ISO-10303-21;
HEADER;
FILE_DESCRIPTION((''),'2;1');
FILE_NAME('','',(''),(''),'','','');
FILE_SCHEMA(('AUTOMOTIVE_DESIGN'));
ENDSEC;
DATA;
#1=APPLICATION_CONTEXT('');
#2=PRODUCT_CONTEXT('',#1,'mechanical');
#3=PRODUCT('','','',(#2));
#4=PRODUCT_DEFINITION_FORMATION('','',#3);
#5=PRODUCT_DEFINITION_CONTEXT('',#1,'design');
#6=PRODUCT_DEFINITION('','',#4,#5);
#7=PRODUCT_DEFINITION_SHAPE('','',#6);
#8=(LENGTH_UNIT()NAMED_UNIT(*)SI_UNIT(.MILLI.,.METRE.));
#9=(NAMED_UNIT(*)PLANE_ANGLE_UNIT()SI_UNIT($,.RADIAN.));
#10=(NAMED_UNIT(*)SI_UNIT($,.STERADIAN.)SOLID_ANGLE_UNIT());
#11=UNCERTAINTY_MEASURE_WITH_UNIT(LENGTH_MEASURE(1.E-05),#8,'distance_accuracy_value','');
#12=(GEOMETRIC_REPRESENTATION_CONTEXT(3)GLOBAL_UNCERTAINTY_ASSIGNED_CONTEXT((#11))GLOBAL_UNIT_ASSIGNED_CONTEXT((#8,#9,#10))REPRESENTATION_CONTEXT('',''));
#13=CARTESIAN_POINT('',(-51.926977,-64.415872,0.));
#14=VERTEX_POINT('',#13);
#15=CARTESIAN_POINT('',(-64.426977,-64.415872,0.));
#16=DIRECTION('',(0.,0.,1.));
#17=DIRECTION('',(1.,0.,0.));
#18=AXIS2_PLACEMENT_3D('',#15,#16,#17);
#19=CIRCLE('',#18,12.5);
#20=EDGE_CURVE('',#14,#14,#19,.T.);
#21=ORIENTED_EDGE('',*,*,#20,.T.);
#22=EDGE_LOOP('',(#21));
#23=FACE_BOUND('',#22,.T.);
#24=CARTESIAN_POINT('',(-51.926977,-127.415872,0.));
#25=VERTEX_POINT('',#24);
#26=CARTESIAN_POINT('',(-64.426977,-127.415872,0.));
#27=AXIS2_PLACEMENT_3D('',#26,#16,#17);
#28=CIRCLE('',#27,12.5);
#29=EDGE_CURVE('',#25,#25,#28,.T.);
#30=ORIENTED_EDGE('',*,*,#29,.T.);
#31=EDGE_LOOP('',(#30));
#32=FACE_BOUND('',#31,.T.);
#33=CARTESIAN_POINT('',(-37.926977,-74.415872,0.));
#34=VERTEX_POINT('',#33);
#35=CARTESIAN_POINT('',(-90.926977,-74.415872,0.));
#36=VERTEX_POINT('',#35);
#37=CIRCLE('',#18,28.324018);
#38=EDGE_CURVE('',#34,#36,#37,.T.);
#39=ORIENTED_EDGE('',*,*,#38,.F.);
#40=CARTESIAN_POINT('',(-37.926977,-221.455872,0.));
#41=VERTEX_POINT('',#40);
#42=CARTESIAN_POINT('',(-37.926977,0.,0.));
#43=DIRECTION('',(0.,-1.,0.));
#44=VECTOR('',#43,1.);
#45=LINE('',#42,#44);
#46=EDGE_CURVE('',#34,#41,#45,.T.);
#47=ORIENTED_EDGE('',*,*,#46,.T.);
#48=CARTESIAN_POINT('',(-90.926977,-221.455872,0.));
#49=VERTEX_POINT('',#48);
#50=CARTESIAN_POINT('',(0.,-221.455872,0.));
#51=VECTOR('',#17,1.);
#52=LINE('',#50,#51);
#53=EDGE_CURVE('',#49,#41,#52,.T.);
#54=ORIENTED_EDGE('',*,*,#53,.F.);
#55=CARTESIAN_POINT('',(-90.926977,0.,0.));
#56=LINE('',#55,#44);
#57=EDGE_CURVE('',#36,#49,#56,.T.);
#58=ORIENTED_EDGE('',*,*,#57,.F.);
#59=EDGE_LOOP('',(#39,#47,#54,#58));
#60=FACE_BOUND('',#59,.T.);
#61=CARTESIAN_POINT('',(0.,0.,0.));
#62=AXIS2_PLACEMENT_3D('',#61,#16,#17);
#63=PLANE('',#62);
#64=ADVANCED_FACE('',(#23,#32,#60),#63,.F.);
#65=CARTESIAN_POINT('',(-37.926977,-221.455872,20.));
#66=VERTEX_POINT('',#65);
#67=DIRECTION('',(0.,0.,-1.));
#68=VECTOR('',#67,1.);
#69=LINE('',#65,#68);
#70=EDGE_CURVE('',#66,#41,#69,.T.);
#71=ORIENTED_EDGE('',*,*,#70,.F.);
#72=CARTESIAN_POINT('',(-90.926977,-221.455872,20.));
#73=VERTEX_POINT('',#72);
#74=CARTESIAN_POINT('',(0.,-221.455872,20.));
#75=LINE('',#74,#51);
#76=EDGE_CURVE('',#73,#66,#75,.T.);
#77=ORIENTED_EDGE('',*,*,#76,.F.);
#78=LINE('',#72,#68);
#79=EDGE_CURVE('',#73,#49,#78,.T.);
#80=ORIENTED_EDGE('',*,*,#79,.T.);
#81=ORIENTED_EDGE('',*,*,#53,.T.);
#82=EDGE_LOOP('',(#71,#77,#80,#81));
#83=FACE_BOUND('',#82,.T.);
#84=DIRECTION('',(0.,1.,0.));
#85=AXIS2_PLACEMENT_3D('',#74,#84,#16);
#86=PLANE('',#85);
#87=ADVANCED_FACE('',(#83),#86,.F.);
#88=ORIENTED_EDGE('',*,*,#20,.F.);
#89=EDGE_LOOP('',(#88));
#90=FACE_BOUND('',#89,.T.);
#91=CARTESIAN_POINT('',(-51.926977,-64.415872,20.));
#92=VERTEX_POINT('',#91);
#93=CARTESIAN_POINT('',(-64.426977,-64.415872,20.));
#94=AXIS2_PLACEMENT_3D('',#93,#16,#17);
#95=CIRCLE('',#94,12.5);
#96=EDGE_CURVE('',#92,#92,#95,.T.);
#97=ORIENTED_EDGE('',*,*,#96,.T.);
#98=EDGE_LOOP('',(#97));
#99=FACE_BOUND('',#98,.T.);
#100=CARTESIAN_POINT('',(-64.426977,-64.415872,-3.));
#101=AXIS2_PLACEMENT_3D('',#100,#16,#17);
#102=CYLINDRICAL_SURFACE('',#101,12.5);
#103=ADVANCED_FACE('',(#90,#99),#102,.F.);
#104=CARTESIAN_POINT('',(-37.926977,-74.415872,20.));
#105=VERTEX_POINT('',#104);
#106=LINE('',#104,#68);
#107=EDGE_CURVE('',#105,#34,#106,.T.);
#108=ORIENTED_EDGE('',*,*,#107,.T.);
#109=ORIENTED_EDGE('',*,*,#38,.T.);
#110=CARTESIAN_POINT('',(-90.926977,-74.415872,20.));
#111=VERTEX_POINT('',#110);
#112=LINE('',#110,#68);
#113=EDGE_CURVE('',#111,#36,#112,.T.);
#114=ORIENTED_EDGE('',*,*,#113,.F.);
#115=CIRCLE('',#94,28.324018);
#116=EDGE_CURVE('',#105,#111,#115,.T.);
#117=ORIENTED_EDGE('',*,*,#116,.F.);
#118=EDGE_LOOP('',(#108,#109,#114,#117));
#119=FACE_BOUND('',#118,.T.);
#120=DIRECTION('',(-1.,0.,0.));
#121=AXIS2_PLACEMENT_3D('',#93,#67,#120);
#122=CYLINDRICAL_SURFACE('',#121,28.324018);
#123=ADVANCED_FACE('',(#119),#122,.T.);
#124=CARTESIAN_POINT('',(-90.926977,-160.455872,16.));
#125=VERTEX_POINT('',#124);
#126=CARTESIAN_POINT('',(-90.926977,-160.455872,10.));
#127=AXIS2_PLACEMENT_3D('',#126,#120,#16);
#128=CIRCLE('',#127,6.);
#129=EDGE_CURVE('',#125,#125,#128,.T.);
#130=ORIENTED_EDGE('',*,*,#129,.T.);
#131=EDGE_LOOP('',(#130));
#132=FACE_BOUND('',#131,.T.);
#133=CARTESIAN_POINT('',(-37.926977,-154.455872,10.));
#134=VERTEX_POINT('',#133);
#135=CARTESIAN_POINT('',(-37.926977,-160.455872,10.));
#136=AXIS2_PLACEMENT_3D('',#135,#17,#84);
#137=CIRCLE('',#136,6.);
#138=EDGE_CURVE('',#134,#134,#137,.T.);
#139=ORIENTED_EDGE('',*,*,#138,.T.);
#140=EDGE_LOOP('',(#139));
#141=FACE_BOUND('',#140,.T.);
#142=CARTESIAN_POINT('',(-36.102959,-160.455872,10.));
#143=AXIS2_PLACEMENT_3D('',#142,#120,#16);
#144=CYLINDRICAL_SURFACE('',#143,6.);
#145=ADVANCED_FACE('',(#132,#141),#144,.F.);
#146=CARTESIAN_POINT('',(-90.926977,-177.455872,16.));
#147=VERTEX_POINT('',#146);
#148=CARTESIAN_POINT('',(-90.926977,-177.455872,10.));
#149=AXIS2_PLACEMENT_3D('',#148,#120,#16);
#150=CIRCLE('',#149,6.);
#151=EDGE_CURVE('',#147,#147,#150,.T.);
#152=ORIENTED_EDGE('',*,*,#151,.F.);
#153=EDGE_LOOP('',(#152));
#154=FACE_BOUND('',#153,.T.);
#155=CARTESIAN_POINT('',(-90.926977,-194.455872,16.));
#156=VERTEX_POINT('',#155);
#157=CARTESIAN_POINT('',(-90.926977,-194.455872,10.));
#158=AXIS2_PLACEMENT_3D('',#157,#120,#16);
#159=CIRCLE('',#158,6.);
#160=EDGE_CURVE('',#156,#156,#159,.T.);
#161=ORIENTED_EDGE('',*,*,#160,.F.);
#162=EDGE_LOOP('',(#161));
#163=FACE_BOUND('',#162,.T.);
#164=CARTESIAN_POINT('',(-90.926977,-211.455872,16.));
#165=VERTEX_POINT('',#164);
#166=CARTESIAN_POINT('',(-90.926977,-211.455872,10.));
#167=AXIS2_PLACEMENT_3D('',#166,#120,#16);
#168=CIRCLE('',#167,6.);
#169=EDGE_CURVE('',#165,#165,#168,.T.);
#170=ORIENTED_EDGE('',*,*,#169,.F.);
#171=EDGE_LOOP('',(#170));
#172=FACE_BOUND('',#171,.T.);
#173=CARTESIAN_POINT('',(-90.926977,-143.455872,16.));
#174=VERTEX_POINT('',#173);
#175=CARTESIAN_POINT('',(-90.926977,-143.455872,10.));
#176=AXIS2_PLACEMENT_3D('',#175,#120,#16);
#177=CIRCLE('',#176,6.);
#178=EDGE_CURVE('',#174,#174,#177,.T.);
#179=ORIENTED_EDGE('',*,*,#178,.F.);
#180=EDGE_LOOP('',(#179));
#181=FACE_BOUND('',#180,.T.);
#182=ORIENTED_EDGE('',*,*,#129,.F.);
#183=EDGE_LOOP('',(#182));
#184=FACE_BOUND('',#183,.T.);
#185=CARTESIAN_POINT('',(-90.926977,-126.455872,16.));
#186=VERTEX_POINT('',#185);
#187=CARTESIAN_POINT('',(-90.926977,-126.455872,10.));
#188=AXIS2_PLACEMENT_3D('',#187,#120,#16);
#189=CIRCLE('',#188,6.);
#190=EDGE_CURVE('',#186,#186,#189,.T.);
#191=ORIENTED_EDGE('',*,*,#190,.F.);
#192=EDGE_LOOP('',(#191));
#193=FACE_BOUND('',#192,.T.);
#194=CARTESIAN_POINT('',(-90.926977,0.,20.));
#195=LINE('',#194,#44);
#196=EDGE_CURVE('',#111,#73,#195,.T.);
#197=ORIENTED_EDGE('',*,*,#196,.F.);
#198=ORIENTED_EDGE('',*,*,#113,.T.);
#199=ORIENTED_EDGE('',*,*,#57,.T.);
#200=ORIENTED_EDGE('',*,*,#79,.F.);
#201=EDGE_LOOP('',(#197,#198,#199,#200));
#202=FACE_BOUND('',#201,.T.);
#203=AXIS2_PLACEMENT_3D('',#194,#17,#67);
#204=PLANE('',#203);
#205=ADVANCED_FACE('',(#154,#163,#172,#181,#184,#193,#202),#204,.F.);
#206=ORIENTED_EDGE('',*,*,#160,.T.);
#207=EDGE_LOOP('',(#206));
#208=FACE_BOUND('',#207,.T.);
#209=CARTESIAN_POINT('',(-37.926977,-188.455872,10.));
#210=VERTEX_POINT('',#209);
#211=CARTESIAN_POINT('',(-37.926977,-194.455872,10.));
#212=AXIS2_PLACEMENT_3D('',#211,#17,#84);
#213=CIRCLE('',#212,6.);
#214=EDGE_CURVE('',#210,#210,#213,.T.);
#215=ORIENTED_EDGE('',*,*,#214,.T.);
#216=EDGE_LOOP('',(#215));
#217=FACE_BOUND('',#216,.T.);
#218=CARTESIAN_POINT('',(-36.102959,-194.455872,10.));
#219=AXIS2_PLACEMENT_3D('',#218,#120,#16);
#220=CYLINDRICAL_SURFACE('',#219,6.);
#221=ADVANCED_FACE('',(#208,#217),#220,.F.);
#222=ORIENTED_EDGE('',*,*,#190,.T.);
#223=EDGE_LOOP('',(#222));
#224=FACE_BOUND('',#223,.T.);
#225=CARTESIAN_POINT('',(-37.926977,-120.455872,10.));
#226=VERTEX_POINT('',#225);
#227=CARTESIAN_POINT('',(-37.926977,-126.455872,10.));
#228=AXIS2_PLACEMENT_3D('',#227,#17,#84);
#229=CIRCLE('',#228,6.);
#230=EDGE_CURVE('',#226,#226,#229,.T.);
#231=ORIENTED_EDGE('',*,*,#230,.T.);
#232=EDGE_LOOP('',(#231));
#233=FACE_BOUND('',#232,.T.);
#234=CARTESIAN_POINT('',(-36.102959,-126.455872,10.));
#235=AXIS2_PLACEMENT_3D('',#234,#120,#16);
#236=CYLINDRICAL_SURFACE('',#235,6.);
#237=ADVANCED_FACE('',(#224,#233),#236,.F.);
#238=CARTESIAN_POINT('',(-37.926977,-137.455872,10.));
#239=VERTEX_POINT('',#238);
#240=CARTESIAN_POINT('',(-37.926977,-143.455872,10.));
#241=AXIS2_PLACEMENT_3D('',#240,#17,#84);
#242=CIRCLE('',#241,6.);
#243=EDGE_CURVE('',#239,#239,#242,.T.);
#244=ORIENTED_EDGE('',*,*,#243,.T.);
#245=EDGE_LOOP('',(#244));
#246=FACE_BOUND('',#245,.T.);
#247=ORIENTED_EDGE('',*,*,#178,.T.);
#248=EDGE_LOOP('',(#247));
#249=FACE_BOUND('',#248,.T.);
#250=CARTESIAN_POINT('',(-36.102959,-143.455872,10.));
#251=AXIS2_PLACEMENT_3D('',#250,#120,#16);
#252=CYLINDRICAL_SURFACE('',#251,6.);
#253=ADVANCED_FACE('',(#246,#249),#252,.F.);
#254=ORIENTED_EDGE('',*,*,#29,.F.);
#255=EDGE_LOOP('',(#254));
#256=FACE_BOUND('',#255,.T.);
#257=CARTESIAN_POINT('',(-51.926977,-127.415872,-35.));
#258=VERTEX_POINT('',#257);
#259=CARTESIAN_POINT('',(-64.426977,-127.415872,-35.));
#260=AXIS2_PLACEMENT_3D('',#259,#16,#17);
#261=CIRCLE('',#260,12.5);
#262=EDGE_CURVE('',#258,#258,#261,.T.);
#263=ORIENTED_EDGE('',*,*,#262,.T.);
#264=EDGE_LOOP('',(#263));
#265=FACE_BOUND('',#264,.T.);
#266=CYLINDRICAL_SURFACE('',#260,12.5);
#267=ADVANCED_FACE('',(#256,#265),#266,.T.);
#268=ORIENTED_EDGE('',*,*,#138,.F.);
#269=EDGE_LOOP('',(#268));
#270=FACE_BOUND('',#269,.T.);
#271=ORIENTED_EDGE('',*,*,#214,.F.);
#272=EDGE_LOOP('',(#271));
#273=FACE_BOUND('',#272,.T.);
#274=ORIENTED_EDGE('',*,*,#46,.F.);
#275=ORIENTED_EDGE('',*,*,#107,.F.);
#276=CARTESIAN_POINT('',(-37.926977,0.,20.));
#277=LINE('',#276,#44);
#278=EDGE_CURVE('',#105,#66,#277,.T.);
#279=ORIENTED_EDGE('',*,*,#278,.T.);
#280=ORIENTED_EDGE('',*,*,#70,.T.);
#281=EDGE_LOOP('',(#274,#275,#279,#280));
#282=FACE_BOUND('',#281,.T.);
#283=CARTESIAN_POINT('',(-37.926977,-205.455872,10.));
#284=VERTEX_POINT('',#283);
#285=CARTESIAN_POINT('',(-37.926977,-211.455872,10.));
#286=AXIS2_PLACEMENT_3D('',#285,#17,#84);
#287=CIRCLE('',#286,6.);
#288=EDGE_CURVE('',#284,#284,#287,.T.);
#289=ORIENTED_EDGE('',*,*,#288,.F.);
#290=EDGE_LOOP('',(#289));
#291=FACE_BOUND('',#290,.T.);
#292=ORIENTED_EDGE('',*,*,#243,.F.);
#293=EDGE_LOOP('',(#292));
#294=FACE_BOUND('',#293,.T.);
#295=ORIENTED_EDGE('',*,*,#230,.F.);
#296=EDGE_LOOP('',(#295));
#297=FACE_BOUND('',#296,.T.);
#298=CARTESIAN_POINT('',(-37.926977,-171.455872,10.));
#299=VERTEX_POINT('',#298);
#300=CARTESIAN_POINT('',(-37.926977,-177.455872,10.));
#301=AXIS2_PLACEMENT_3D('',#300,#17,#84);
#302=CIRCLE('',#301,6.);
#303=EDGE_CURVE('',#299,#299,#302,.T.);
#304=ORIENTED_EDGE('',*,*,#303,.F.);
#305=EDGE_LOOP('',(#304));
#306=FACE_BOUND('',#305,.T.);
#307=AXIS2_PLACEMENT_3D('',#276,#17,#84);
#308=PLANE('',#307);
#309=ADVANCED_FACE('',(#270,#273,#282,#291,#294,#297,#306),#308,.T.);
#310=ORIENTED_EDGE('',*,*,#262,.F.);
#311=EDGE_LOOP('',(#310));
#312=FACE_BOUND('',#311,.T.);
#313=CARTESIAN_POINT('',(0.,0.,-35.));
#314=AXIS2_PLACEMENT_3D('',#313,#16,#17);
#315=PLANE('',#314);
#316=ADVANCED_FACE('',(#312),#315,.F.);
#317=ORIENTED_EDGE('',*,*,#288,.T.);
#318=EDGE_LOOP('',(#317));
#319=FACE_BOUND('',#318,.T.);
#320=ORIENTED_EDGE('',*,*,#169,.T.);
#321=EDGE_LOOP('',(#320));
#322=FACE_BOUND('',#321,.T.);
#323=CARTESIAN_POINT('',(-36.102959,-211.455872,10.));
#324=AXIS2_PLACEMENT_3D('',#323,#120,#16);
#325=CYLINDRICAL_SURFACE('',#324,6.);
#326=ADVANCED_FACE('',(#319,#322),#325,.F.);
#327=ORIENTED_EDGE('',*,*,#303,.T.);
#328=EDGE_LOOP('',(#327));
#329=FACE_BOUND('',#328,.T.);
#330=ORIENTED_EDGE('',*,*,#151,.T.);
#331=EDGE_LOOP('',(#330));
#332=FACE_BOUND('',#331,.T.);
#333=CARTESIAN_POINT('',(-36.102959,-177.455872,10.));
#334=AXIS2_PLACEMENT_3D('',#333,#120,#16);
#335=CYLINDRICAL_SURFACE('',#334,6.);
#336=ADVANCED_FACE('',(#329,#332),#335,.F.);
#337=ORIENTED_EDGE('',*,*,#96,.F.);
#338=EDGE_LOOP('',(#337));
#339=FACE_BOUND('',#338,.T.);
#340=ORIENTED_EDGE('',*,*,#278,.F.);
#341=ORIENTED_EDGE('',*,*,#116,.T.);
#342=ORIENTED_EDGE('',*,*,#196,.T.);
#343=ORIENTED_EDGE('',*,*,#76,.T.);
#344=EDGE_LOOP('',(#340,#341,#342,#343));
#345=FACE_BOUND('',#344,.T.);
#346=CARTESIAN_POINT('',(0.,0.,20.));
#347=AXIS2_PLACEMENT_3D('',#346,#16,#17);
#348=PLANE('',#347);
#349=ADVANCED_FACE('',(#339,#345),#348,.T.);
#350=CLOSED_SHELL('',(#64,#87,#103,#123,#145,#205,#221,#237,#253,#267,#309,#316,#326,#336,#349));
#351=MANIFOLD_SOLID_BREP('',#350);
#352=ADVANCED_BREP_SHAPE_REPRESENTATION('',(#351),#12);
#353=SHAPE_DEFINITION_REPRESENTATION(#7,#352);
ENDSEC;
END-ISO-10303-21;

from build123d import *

# Parameters (mm, degrees)
SKETCH2_R           = 10
BOSS_EXTRUDE2_DEPTH = 20
SKETCH8_R           = 6
CUT_EXTRUDE1_DEPTH  = 55.824018077
SKETCH6_R           = 6
CUT_EXTRUDE2_DEPTH  = 55.824018077
SKETCH9_R           = 12.5
CUT_EXTRUDE3_DEPTH  = 23
SKETCH11_R          = 12.5
BOSS_EXTRUDE4_DEPTH = 35


with BuildPart() as part:
    # Sketch2 → Boss-Extrude2 (new body)
    with BuildSketch(Plane.XY):
        with BuildLine():
            Line((-37.926977186, -74.415871925), (-37.926977186, -221.455871925))
            Line((-37.926977186, -221.455871925), (-90.926977186, -221.455871925))
            Line((-90.926977186, -221.455871925), (-90.926977186, -74.415871925))
            ThreePointArc((-90.926977186, -74.415871925), (-64.426977186, -36.091853848), (-37.926977186, -74.415871925))
        make_face()
        with Locations((-64.426977186, -64.415871925)):
            Circle(SKETCH2_R, mode=Mode.SUBTRACT)
    extrude(amount=BOSS_EXTRUDE2_DEPTH)

    # Sketch8 → Cut-Extrude1 (cut, through all)
    with BuildSketch(Plane.ZY.offset(90.926977186)):
        with Locations((10, -194.455871925)):
            Circle(SKETCH8_R)
        with Locations((10, -177.455871925)):
            Circle(SKETCH8_R)
        with Locations((10, -160.455871925)):
            Circle(SKETCH8_R)
        with Locations((10, -143.455871925)):
            Circle(SKETCH8_R)
        with Locations((10, -126.455871925)):
            Circle(SKETCH8_R)
    extrude(amount=-CUT_EXTRUDE1_DEPTH, mode=Mode.SUBTRACT)

    # Sketch6 → Cut-Extrude2 (cut, through all)
    with BuildSketch(Plane.ZY.offset(90.926977186)):
        with Locations((10, -211.455871925)):
            Circle(SKETCH6_R)
    extrude(amount=-CUT_EXTRUDE2_DEPTH, mode=Mode.SUBTRACT)

    # Sketch9 → Cut-Extrude3 (cut)
    with BuildSketch(Plane.XY.offset(20)):
        with Locations((-64.426977186, -64.415871925)):
            Circle(SKETCH9_R)
    extrude(amount=-CUT_EXTRUDE3_DEPTH, mode=Mode.SUBTRACT)

    # Sketch11 → Boss-Extrude4 (add)
    with BuildSketch(Plane.XY):
        with Locations((-64.426977186, -127.415871925)):
            Circle(SKETCH11_R)
    extrude(amount=-BOSS_EXTRUDE4_DEPTH)


solid = part.part
